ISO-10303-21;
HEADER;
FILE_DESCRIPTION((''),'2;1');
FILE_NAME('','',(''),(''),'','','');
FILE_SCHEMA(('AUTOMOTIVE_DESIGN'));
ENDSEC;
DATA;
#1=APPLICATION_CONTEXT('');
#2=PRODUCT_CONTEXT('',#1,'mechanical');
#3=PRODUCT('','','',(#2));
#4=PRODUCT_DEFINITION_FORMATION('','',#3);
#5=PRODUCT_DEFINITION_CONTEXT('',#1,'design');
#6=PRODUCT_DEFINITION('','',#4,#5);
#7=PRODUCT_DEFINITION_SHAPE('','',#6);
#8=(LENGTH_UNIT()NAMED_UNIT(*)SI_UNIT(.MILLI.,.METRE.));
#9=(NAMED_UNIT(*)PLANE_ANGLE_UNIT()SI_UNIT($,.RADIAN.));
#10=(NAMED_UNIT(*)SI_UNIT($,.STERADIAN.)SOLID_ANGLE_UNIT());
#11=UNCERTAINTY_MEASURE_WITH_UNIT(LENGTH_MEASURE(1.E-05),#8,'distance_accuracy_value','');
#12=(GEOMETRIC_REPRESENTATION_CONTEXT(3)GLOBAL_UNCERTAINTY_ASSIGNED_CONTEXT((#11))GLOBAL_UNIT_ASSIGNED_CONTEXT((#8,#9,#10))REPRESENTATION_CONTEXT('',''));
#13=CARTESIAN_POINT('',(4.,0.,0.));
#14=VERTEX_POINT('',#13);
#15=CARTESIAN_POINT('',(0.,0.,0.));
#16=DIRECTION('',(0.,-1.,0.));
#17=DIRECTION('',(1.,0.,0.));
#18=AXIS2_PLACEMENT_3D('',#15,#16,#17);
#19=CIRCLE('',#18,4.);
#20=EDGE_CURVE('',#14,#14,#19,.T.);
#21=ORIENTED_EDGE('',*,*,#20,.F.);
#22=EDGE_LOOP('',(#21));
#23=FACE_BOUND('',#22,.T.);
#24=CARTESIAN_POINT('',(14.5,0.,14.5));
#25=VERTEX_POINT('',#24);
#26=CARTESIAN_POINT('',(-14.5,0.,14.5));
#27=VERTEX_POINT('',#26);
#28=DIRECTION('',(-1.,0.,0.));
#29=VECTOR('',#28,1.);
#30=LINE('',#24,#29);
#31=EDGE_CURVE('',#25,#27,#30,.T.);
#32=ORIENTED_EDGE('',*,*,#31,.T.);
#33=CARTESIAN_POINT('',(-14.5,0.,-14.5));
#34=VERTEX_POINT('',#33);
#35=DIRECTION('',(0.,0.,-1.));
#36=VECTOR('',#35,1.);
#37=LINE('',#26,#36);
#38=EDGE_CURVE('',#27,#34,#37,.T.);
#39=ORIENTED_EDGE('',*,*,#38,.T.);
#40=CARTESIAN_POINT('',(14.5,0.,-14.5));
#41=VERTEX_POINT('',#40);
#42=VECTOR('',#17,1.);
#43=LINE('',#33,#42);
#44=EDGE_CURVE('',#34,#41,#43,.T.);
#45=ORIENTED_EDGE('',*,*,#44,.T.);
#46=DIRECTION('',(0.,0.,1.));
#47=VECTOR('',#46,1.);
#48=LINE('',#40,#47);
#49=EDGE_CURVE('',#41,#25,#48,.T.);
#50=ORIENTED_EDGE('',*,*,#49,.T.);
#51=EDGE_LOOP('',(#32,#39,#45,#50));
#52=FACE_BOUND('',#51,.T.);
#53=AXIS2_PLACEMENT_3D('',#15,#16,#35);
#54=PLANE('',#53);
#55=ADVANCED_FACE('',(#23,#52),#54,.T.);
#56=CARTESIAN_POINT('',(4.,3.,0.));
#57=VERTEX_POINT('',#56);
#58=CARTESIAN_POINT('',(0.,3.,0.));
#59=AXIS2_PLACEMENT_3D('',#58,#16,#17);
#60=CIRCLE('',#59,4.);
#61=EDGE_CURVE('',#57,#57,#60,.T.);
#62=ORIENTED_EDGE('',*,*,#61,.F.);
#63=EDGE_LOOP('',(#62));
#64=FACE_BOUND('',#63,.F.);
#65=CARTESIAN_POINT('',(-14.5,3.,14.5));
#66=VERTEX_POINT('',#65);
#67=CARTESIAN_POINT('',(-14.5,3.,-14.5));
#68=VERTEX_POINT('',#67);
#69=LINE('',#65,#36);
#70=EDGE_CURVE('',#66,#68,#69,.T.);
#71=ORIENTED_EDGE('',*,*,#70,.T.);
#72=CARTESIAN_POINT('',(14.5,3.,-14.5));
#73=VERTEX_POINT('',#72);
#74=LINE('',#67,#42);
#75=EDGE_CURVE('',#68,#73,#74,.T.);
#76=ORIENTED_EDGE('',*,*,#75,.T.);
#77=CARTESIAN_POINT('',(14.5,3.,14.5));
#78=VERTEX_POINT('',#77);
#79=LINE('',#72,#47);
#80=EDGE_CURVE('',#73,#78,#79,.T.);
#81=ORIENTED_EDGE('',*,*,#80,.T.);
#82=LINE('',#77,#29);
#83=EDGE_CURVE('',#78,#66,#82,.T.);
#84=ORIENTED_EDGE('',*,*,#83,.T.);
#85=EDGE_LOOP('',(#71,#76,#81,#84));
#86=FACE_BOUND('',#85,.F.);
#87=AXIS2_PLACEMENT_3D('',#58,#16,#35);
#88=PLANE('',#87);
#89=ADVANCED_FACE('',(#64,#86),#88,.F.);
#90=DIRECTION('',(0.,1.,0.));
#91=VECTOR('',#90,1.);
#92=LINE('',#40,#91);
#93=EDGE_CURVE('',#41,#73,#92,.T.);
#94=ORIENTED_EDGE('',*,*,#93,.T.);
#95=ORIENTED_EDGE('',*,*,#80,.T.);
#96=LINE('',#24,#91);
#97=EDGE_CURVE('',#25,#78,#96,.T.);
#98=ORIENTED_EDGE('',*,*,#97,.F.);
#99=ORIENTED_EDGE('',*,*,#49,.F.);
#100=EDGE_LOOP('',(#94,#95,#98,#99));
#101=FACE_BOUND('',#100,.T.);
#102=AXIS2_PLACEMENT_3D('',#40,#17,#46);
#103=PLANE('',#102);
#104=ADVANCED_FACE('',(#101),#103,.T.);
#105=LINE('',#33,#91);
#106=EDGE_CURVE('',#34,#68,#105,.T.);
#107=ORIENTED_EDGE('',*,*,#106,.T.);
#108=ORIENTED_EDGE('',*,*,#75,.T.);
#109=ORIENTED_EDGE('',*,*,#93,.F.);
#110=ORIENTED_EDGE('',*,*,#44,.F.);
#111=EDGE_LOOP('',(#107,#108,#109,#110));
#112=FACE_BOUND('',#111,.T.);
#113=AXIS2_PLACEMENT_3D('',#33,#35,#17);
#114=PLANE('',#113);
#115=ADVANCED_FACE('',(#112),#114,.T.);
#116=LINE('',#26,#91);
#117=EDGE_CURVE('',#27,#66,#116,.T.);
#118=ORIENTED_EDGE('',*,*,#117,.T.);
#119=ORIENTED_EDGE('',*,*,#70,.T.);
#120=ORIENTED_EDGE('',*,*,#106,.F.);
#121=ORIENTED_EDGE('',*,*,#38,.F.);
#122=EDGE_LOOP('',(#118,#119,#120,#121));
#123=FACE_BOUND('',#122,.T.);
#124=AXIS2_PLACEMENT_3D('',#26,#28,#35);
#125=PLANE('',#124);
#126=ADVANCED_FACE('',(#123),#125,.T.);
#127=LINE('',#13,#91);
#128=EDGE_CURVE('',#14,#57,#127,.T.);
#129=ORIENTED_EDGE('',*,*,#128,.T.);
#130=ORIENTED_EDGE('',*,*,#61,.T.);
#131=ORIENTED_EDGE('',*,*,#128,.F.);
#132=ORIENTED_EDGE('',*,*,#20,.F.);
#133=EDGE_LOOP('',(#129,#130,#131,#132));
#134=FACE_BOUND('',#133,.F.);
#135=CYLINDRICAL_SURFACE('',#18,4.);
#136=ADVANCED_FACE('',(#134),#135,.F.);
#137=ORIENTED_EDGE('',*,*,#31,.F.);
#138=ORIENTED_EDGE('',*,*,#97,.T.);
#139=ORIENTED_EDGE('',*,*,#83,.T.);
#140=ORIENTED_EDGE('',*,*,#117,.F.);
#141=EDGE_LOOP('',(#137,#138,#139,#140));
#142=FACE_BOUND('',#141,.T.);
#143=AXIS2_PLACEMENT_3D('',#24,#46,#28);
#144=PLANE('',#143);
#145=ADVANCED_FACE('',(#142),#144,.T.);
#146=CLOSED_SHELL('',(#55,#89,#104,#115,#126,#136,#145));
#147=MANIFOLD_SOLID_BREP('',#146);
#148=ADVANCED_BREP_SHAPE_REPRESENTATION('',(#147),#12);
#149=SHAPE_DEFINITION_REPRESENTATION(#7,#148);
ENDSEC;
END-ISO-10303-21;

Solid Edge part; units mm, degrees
sketch "Sketch1" plane through (0, 0, 0) normal (0, -1, 0) x (1, 0, 0)
  circle A0 centre (0, 0) radius 4
  line L0 (14.5, 14.5) -> (-14.5, 14.5)
  line L1 (-14.5, 14.5) -> (-14.5, -14.5)
  line L2 (-14.5, -14.5) -> (14.5, -14.5)
  line L3 (14.5, -14.5) -> (14.5, 14.5)
extrude "Protrusion1" add sketch "Sketch1" against normal blind 3
